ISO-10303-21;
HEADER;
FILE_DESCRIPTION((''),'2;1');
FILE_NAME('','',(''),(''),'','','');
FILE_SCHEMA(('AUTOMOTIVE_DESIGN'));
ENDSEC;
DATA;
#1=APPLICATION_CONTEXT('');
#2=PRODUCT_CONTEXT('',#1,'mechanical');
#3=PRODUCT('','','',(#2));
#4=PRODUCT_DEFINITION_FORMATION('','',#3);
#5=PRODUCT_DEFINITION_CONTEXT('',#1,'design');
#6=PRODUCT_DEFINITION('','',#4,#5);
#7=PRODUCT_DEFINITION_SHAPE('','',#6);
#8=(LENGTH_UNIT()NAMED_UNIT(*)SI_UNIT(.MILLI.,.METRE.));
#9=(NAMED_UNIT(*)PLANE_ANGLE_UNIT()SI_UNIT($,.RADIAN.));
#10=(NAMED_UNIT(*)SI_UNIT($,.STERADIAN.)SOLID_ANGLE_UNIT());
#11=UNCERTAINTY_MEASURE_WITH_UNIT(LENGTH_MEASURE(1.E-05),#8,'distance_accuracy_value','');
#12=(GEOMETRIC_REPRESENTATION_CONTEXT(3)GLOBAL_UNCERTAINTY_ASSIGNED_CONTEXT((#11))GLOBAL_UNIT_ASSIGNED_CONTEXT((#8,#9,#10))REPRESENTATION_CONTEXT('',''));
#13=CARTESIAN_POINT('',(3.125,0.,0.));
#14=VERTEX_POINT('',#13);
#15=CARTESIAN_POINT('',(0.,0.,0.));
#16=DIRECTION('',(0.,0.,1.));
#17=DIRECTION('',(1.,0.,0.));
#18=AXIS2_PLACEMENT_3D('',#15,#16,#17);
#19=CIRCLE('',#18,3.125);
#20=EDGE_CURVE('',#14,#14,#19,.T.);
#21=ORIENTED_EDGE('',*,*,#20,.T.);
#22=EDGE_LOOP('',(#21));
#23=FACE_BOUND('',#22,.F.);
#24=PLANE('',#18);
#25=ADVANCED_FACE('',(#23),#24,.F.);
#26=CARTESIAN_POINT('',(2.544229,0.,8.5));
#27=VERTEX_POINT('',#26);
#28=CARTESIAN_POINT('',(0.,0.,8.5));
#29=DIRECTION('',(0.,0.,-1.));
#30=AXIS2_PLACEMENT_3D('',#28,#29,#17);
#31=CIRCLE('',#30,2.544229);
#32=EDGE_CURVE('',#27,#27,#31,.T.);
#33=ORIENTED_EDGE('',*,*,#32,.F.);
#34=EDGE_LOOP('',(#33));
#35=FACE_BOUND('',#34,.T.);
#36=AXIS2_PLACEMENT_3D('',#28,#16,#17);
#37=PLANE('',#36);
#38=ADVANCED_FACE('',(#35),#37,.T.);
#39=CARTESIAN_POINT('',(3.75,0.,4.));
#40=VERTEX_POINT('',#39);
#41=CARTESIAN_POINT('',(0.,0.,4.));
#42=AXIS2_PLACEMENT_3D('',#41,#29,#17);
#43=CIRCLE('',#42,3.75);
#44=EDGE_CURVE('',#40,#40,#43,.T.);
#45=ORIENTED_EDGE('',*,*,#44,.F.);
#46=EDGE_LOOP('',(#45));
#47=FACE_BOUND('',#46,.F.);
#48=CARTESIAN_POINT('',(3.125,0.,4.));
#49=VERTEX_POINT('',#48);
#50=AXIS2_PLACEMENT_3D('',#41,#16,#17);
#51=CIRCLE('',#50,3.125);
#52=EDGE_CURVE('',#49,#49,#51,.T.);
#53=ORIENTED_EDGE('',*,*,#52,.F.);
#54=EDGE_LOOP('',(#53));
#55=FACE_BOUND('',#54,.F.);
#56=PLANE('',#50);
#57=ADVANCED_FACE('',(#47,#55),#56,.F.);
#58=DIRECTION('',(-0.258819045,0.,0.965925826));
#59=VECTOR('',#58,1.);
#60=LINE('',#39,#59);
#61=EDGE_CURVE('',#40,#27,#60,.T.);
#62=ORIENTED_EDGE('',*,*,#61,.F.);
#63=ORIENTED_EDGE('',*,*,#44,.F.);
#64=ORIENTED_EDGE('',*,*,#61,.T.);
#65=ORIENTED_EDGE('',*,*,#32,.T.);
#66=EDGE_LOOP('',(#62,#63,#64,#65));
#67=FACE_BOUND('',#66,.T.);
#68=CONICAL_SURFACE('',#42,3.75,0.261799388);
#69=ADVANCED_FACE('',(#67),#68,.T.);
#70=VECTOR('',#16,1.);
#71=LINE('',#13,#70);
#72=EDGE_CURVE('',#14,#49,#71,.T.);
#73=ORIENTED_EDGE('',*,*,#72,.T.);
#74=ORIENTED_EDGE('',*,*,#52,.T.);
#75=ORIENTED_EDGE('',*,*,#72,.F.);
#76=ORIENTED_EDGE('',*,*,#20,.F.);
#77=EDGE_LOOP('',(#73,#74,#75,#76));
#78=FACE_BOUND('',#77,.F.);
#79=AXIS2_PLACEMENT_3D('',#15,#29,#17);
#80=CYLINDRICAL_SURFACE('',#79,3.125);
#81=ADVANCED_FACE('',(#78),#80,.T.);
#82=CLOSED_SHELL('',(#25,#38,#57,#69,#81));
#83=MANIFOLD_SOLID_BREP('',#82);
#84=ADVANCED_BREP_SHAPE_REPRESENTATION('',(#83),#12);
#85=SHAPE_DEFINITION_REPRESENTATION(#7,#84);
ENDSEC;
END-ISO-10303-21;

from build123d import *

# Parameters (mm, degrees)
F2_R     = 3.125
F3_DEPTH = 4
F4_R     = 3.75
F5_DEPTH = 4.5
F5_TAPER = 15


with BuildPart() as f3:
    # F2 (on Top) → F3 (new body)
    with BuildSketch(Plane.XY):
        Circle(F2_R)
    extrude(amount=F3_DEPTH)

    # F4 (on face) → F5 (join)
    with BuildSketch(Plane.XY.offset(4)):
        Circle(F4_R)
    extrude(amount=F5_DEPTH, taper=F5_TAPER)


solid = f3.part
